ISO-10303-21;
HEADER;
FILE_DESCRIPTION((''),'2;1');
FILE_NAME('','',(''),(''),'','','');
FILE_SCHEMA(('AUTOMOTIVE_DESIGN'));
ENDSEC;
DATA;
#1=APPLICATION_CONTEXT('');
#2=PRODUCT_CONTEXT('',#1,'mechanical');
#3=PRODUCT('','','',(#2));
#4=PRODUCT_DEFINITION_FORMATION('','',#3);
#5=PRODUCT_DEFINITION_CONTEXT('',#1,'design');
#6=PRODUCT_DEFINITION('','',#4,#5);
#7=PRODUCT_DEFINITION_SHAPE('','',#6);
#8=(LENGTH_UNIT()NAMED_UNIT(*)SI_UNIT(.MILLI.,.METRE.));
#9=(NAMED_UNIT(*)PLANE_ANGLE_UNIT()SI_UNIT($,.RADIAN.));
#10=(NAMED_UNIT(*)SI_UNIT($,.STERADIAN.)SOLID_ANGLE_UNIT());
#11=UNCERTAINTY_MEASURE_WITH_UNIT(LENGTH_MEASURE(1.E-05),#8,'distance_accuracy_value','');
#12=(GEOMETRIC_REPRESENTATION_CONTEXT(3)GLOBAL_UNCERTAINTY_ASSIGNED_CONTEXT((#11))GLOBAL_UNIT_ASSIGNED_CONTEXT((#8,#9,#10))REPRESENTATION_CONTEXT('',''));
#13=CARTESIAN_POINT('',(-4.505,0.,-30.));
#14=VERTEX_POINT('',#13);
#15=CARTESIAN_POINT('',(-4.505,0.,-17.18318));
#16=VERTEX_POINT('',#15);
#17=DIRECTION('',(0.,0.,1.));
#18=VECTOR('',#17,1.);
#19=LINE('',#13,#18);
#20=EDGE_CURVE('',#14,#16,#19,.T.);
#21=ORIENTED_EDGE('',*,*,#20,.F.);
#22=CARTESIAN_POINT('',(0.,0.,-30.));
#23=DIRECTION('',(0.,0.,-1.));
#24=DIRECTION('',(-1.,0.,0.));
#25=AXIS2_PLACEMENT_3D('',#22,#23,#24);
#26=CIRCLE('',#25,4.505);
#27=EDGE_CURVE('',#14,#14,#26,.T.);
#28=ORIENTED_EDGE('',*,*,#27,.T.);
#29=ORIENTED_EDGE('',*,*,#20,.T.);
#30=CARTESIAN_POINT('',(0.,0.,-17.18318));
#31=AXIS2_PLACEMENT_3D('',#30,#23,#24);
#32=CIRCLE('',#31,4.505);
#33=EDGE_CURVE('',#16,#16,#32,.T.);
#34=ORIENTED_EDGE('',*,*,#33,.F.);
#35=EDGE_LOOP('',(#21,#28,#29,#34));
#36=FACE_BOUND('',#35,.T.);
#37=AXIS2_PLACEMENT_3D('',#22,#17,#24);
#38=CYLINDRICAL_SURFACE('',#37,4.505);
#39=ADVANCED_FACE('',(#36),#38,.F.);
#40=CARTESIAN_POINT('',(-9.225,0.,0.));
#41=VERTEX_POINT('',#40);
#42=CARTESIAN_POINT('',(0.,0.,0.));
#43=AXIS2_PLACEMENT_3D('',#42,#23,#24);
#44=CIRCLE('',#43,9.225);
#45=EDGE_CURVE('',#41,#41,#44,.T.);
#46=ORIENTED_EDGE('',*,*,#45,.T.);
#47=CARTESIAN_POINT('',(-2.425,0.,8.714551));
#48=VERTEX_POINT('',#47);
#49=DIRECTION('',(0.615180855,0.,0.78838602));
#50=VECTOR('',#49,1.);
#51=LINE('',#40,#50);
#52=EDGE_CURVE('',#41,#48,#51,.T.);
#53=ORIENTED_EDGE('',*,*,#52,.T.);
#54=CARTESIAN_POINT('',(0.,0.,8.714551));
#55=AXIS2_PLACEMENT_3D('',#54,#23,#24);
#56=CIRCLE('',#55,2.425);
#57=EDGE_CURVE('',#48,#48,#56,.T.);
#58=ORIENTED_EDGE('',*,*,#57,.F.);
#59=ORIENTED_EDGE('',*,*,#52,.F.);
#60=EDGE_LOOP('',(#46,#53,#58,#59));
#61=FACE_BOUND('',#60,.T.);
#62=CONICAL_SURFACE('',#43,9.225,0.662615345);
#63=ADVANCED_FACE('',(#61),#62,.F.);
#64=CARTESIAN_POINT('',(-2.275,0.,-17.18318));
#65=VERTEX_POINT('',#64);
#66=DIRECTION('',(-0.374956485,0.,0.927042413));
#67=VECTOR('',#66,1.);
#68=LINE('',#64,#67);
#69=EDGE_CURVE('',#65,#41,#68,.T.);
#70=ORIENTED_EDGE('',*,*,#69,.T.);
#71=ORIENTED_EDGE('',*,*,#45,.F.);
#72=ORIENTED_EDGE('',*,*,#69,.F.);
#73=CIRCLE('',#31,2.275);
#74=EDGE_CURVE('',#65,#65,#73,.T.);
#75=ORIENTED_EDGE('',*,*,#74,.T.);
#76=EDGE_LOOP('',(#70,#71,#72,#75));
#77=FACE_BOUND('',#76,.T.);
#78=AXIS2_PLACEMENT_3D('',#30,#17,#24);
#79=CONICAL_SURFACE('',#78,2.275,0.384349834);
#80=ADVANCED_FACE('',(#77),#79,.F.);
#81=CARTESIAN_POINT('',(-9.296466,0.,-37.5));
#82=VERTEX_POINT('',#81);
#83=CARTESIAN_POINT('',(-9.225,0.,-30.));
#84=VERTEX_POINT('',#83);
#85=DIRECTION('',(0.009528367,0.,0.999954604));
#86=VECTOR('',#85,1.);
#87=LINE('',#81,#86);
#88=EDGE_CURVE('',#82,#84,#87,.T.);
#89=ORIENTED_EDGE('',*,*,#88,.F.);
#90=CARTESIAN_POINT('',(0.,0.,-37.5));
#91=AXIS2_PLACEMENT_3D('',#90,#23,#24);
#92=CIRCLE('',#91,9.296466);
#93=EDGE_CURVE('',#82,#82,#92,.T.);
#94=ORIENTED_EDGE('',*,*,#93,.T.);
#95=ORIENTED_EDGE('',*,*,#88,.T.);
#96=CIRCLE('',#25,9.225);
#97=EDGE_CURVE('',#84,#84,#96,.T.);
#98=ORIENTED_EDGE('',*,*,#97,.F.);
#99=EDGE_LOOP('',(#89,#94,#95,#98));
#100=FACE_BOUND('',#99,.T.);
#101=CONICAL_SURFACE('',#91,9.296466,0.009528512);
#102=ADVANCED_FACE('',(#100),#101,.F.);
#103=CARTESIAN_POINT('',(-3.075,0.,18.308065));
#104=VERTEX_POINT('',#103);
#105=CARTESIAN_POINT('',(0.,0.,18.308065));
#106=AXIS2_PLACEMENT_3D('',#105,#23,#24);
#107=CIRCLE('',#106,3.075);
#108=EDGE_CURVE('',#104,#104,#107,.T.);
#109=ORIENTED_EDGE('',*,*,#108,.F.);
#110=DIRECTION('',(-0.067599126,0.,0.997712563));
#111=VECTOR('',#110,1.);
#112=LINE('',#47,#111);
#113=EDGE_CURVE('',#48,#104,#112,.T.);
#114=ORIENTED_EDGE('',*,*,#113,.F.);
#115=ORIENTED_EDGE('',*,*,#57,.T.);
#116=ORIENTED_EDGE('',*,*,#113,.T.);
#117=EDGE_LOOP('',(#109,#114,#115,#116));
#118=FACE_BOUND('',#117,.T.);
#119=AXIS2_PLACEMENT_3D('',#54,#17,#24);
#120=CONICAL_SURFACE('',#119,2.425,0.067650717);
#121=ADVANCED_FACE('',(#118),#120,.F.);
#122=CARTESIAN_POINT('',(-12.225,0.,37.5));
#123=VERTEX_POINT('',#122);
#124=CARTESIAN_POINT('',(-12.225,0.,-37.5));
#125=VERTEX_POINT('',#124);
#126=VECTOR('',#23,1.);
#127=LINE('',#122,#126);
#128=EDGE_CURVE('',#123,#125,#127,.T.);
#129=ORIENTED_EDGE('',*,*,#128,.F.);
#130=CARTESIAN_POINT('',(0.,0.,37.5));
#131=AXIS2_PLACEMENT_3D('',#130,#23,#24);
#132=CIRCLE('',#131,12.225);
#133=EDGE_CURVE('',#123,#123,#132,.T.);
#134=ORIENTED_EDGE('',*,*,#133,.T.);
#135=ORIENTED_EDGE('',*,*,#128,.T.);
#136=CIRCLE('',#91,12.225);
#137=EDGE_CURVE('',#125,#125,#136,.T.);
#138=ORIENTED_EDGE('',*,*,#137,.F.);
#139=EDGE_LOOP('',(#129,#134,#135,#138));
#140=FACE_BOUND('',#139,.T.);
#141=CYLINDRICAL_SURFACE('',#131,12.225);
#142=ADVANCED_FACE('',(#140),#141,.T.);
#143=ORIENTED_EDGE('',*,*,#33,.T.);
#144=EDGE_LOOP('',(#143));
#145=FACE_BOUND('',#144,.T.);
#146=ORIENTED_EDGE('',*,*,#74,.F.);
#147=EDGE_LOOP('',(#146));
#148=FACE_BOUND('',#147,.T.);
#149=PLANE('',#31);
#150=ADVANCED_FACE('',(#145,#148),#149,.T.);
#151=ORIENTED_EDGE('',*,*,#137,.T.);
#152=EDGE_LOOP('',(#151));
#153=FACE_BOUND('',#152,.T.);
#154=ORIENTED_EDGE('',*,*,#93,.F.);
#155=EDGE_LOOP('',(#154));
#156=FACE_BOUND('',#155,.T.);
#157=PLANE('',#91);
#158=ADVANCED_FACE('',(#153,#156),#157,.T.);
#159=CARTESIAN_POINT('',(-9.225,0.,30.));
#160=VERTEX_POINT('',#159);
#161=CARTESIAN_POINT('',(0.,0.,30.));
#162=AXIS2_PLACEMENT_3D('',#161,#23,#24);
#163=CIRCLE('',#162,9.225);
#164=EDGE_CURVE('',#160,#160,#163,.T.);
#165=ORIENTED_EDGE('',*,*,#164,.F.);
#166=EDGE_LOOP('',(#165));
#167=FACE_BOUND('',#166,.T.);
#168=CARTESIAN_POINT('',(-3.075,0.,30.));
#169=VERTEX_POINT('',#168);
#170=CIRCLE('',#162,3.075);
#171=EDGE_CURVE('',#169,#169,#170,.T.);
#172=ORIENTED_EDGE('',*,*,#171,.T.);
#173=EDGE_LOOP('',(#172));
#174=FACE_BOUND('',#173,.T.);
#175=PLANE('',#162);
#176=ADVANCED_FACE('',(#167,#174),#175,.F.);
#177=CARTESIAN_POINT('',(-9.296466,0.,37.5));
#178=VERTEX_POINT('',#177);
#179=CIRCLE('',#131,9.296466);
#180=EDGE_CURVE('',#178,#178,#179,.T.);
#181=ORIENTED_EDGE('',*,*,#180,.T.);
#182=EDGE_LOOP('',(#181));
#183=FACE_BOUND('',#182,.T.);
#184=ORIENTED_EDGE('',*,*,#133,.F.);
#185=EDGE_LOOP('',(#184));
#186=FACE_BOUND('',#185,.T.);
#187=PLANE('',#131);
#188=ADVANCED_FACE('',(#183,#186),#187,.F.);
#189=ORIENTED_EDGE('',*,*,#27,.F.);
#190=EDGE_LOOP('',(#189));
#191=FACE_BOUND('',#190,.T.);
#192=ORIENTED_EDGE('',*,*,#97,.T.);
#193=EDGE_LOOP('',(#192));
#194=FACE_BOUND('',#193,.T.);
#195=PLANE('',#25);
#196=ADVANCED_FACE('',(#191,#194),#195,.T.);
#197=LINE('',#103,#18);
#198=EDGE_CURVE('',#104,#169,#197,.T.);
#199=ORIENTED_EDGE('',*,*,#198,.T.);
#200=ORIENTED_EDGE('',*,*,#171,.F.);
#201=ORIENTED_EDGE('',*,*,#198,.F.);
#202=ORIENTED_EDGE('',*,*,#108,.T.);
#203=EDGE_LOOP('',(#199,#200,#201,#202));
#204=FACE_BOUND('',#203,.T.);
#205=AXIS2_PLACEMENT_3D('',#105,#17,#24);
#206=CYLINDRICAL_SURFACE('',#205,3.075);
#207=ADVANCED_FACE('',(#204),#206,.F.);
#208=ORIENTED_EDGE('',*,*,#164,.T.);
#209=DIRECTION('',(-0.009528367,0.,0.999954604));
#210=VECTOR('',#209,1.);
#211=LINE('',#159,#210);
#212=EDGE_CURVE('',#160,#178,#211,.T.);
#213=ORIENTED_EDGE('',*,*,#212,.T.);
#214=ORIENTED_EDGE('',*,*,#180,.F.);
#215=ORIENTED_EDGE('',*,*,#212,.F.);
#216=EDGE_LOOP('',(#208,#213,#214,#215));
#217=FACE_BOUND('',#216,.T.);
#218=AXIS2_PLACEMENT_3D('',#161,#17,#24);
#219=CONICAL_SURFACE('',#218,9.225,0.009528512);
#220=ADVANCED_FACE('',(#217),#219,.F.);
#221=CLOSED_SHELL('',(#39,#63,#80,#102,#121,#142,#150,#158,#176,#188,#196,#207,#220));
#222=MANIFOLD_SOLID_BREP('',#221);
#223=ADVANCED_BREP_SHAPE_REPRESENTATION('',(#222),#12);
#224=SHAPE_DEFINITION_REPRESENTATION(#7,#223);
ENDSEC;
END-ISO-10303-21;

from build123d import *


with BuildPart() as f1:
    # F0 (on Front) → F1 (revolve)
    with BuildSketch(Plane.XZ):
        Polygon((-9.225, 0), (-9.225, 30), (-12.225, 30), (-12.225, -30), (-9.225, -30), align=None)
        Polygon((-9.225, -30), (-4.505, -30), (-4.505, -17.18318), (-9.225, 0), align=None)
        Polygon((-2.275, -17.18318), (-9.225, 0), (-4.505, -17.18318), align=None)
        Polygon((-3.075, 18.308065), (-3.075, 30), (-9.225, 30), (-9.225, 0), (-2.425, 8.714551), align=None)
        Polygon((-12.225, 30), (-9.225, 30), (-9.296466, 37.5), (-12.225, 37.5), align=None)
        Polygon((-9.296466, -37.5), (-9.225, -30), (-12.225, -30), (-12.225, -37.5), align=None)
    revolve(axis=Axis((0, 0, 0), (0, 0, -1)))


solid = f1.part
